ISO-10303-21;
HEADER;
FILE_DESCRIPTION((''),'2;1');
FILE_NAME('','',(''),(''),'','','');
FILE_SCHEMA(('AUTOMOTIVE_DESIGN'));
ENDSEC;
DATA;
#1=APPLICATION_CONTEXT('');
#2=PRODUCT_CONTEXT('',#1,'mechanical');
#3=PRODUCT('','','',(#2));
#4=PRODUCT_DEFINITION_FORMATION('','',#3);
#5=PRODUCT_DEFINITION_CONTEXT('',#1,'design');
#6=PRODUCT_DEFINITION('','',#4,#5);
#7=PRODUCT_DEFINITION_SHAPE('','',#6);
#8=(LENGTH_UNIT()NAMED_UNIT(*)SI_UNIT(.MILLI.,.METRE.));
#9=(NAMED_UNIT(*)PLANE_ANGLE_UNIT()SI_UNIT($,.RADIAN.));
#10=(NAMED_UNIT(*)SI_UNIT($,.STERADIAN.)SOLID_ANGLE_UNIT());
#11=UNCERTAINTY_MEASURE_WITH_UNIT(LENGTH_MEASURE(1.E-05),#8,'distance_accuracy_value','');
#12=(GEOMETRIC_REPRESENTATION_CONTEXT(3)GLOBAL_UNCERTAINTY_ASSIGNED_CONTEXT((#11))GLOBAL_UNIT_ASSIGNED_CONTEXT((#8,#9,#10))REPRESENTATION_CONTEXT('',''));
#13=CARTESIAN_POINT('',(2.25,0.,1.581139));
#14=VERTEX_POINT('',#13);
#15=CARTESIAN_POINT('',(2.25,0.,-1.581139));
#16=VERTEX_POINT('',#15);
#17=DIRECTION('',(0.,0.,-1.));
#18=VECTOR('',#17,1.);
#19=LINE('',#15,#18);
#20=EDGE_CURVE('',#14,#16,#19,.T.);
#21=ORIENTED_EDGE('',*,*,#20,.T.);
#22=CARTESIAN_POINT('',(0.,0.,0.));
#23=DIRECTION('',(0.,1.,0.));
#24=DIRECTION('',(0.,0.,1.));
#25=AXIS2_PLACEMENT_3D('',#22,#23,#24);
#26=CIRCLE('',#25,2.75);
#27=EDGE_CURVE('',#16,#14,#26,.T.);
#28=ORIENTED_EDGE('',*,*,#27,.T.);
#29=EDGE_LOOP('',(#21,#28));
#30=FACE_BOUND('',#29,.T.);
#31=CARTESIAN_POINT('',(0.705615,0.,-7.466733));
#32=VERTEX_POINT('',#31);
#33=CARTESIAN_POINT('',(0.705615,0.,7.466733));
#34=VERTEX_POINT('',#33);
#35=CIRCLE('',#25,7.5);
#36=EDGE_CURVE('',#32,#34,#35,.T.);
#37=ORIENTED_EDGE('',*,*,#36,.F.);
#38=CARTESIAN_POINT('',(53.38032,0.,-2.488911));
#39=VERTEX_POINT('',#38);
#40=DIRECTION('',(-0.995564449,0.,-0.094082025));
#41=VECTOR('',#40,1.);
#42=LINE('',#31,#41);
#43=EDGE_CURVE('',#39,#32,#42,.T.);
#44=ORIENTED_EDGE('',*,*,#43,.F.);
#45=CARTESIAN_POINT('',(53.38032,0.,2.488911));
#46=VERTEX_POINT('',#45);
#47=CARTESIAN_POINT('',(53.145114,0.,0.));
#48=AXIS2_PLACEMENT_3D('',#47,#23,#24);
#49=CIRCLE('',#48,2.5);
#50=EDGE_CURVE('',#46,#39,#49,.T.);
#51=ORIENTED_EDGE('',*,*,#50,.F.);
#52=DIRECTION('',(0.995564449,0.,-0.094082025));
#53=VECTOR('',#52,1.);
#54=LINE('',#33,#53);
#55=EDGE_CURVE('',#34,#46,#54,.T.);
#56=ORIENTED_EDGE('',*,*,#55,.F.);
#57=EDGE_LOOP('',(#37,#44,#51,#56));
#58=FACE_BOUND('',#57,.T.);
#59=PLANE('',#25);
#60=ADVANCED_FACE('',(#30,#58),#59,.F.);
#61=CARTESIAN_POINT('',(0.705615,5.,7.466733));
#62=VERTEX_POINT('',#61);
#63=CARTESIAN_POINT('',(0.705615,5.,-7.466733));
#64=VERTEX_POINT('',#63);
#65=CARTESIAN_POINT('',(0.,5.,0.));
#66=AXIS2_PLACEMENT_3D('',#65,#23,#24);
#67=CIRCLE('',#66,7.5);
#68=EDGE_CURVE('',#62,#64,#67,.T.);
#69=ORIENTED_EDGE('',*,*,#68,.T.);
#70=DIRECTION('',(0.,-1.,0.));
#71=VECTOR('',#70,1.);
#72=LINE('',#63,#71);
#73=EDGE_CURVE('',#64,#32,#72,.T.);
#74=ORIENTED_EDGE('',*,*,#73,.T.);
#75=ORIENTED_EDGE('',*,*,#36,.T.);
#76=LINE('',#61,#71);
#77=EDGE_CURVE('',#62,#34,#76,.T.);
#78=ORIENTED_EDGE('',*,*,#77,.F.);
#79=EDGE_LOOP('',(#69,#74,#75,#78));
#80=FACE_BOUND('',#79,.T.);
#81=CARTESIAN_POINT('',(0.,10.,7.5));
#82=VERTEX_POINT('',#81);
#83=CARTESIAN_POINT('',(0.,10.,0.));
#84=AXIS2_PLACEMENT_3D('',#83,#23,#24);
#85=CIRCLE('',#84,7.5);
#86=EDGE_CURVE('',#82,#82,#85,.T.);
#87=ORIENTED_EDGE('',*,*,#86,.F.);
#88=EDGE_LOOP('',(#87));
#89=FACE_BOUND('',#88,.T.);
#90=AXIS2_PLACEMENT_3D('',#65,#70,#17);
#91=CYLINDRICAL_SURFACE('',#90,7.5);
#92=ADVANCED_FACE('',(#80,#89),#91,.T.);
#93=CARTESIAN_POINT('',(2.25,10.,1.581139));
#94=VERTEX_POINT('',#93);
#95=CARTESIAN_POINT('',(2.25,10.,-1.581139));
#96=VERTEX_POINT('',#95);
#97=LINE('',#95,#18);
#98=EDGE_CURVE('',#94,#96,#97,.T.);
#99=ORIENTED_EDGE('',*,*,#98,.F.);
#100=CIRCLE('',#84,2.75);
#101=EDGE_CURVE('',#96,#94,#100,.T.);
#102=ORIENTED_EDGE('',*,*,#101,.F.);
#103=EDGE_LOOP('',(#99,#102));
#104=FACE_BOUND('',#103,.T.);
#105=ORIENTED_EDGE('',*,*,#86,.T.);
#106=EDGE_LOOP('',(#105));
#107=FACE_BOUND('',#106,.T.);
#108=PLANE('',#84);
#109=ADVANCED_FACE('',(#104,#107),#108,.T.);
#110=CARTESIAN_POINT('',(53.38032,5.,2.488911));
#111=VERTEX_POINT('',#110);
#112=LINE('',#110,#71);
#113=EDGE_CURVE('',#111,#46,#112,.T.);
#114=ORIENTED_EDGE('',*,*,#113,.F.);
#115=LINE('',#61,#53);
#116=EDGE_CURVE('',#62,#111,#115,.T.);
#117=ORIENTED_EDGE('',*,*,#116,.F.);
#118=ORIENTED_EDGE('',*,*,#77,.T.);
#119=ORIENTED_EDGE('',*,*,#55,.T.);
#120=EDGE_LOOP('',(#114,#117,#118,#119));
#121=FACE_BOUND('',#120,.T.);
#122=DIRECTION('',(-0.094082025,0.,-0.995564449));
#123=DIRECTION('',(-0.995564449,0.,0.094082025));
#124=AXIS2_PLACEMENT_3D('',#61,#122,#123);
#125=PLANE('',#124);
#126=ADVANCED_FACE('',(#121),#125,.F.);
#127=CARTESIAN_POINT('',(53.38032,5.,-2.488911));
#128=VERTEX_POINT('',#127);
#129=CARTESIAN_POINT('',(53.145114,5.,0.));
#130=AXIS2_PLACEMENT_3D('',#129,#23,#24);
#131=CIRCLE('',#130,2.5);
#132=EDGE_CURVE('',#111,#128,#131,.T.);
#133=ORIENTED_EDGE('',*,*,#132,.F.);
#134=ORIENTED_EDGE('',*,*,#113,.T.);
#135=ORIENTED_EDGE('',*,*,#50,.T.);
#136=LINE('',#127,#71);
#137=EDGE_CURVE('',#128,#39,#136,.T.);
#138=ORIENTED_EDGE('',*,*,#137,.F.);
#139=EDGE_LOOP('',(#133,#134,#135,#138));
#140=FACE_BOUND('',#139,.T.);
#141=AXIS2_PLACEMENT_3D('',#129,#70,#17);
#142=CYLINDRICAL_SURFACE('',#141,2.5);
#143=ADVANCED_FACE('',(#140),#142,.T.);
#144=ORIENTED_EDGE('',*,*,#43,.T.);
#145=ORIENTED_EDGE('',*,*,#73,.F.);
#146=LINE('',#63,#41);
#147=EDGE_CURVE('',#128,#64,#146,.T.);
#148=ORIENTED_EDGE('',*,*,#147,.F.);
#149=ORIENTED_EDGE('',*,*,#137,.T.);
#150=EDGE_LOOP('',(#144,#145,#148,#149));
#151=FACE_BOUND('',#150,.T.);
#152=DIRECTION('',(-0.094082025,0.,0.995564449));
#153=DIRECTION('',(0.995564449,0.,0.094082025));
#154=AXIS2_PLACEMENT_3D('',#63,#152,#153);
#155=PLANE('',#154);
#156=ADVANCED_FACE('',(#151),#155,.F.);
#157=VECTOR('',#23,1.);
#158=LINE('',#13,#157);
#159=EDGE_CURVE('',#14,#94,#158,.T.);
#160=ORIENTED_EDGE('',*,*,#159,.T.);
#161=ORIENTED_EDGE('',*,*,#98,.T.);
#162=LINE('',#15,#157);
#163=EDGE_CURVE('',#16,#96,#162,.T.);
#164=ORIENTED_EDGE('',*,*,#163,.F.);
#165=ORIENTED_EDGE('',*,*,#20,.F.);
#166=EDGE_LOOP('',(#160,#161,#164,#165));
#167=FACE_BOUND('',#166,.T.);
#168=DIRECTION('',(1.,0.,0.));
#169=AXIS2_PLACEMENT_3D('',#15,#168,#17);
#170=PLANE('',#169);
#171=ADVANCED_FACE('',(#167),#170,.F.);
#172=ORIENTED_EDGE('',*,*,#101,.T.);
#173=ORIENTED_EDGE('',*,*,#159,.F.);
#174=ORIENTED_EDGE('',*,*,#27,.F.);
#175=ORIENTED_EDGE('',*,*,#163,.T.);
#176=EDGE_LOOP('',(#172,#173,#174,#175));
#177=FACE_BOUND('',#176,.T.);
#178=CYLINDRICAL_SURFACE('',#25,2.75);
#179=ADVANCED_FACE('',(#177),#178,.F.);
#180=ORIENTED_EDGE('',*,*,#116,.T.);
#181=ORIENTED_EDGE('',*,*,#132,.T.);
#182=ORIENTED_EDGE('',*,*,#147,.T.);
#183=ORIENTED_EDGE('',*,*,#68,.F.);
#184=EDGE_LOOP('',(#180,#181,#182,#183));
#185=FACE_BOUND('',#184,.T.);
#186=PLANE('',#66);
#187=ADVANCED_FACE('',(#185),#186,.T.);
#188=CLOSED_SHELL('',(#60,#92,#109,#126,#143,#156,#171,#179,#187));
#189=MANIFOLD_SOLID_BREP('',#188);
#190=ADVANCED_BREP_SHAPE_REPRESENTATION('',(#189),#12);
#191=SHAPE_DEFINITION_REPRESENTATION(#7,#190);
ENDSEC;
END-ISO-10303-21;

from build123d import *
from build123d.topology import SkipClean

# Parameters (mm, degrees)
EXTRUDE_1_DEPTH     = 5
SKETCH_2_R          = 7.5
EXTRUDE_2_DEPTH     = 5
CUT_EXTRUDE_1_DEPTH = 58.031822398


with BuildPart() as part:
    # 草图1 → 凸台-拉伸1 (new body)
    with BuildSketch(Plane(origin=(0, 0, 0), x_dir=(1, 0, 0), z_dir=(0, 1, 0))):
        with BuildLine():
            Line((0.705615189, 7.466733369), (53.380319548, 2.488911123))
            ThreePointArc((53.380319548, 2.488911123), (55.645114485, 0), (53.380319548, -2.488911123))
            Line((53.380319548, -2.488911123), (0.705615189, -7.466733369))
            ThreePointArc((0.705615189, -7.466733369), (-7.5, 0), (0.705615189, 7.466733369))
        make_face()
    extrude(amount=EXTRUDE_1_DEPTH)

    # 草图2 → 凸台-拉伸2 (add)
    with SkipClean():  # the faces are left unmerged after this step: merging them gives an invalid solid
        with BuildSketch(Plane(origin=(0, 5, 0), x_dir=(1, 0, 0), z_dir=(0, 1, 0))):
            with Locations(Location((0, 0, 0), (0, 0, 84.601512911))):
                Circle(SKETCH_2_R)
        extrude(amount=EXTRUDE_2_DEPTH)

    # 草图3 → 切除-拉伸1 (cut, through all)
    with SkipClean():  # the faces are left unmerged after this step: merging them gives an invalid solid
        with BuildSketch(Plane(origin=(0, 10, 0), x_dir=(1, 0, 0), z_dir=(0, 1, 0))):
            with BuildLine():
                Line((2.25, 1.58113883), (2.25, -1.58113883))
                ThreePointArc((2.25, -1.58113883), (-2.75, 0), (2.25, 1.58113883))
            make_face()
        extrude(amount=-CUT_EXTRUDE_1_DEPTH, mode=Mode.SUBTRACT)


solid = part.part
